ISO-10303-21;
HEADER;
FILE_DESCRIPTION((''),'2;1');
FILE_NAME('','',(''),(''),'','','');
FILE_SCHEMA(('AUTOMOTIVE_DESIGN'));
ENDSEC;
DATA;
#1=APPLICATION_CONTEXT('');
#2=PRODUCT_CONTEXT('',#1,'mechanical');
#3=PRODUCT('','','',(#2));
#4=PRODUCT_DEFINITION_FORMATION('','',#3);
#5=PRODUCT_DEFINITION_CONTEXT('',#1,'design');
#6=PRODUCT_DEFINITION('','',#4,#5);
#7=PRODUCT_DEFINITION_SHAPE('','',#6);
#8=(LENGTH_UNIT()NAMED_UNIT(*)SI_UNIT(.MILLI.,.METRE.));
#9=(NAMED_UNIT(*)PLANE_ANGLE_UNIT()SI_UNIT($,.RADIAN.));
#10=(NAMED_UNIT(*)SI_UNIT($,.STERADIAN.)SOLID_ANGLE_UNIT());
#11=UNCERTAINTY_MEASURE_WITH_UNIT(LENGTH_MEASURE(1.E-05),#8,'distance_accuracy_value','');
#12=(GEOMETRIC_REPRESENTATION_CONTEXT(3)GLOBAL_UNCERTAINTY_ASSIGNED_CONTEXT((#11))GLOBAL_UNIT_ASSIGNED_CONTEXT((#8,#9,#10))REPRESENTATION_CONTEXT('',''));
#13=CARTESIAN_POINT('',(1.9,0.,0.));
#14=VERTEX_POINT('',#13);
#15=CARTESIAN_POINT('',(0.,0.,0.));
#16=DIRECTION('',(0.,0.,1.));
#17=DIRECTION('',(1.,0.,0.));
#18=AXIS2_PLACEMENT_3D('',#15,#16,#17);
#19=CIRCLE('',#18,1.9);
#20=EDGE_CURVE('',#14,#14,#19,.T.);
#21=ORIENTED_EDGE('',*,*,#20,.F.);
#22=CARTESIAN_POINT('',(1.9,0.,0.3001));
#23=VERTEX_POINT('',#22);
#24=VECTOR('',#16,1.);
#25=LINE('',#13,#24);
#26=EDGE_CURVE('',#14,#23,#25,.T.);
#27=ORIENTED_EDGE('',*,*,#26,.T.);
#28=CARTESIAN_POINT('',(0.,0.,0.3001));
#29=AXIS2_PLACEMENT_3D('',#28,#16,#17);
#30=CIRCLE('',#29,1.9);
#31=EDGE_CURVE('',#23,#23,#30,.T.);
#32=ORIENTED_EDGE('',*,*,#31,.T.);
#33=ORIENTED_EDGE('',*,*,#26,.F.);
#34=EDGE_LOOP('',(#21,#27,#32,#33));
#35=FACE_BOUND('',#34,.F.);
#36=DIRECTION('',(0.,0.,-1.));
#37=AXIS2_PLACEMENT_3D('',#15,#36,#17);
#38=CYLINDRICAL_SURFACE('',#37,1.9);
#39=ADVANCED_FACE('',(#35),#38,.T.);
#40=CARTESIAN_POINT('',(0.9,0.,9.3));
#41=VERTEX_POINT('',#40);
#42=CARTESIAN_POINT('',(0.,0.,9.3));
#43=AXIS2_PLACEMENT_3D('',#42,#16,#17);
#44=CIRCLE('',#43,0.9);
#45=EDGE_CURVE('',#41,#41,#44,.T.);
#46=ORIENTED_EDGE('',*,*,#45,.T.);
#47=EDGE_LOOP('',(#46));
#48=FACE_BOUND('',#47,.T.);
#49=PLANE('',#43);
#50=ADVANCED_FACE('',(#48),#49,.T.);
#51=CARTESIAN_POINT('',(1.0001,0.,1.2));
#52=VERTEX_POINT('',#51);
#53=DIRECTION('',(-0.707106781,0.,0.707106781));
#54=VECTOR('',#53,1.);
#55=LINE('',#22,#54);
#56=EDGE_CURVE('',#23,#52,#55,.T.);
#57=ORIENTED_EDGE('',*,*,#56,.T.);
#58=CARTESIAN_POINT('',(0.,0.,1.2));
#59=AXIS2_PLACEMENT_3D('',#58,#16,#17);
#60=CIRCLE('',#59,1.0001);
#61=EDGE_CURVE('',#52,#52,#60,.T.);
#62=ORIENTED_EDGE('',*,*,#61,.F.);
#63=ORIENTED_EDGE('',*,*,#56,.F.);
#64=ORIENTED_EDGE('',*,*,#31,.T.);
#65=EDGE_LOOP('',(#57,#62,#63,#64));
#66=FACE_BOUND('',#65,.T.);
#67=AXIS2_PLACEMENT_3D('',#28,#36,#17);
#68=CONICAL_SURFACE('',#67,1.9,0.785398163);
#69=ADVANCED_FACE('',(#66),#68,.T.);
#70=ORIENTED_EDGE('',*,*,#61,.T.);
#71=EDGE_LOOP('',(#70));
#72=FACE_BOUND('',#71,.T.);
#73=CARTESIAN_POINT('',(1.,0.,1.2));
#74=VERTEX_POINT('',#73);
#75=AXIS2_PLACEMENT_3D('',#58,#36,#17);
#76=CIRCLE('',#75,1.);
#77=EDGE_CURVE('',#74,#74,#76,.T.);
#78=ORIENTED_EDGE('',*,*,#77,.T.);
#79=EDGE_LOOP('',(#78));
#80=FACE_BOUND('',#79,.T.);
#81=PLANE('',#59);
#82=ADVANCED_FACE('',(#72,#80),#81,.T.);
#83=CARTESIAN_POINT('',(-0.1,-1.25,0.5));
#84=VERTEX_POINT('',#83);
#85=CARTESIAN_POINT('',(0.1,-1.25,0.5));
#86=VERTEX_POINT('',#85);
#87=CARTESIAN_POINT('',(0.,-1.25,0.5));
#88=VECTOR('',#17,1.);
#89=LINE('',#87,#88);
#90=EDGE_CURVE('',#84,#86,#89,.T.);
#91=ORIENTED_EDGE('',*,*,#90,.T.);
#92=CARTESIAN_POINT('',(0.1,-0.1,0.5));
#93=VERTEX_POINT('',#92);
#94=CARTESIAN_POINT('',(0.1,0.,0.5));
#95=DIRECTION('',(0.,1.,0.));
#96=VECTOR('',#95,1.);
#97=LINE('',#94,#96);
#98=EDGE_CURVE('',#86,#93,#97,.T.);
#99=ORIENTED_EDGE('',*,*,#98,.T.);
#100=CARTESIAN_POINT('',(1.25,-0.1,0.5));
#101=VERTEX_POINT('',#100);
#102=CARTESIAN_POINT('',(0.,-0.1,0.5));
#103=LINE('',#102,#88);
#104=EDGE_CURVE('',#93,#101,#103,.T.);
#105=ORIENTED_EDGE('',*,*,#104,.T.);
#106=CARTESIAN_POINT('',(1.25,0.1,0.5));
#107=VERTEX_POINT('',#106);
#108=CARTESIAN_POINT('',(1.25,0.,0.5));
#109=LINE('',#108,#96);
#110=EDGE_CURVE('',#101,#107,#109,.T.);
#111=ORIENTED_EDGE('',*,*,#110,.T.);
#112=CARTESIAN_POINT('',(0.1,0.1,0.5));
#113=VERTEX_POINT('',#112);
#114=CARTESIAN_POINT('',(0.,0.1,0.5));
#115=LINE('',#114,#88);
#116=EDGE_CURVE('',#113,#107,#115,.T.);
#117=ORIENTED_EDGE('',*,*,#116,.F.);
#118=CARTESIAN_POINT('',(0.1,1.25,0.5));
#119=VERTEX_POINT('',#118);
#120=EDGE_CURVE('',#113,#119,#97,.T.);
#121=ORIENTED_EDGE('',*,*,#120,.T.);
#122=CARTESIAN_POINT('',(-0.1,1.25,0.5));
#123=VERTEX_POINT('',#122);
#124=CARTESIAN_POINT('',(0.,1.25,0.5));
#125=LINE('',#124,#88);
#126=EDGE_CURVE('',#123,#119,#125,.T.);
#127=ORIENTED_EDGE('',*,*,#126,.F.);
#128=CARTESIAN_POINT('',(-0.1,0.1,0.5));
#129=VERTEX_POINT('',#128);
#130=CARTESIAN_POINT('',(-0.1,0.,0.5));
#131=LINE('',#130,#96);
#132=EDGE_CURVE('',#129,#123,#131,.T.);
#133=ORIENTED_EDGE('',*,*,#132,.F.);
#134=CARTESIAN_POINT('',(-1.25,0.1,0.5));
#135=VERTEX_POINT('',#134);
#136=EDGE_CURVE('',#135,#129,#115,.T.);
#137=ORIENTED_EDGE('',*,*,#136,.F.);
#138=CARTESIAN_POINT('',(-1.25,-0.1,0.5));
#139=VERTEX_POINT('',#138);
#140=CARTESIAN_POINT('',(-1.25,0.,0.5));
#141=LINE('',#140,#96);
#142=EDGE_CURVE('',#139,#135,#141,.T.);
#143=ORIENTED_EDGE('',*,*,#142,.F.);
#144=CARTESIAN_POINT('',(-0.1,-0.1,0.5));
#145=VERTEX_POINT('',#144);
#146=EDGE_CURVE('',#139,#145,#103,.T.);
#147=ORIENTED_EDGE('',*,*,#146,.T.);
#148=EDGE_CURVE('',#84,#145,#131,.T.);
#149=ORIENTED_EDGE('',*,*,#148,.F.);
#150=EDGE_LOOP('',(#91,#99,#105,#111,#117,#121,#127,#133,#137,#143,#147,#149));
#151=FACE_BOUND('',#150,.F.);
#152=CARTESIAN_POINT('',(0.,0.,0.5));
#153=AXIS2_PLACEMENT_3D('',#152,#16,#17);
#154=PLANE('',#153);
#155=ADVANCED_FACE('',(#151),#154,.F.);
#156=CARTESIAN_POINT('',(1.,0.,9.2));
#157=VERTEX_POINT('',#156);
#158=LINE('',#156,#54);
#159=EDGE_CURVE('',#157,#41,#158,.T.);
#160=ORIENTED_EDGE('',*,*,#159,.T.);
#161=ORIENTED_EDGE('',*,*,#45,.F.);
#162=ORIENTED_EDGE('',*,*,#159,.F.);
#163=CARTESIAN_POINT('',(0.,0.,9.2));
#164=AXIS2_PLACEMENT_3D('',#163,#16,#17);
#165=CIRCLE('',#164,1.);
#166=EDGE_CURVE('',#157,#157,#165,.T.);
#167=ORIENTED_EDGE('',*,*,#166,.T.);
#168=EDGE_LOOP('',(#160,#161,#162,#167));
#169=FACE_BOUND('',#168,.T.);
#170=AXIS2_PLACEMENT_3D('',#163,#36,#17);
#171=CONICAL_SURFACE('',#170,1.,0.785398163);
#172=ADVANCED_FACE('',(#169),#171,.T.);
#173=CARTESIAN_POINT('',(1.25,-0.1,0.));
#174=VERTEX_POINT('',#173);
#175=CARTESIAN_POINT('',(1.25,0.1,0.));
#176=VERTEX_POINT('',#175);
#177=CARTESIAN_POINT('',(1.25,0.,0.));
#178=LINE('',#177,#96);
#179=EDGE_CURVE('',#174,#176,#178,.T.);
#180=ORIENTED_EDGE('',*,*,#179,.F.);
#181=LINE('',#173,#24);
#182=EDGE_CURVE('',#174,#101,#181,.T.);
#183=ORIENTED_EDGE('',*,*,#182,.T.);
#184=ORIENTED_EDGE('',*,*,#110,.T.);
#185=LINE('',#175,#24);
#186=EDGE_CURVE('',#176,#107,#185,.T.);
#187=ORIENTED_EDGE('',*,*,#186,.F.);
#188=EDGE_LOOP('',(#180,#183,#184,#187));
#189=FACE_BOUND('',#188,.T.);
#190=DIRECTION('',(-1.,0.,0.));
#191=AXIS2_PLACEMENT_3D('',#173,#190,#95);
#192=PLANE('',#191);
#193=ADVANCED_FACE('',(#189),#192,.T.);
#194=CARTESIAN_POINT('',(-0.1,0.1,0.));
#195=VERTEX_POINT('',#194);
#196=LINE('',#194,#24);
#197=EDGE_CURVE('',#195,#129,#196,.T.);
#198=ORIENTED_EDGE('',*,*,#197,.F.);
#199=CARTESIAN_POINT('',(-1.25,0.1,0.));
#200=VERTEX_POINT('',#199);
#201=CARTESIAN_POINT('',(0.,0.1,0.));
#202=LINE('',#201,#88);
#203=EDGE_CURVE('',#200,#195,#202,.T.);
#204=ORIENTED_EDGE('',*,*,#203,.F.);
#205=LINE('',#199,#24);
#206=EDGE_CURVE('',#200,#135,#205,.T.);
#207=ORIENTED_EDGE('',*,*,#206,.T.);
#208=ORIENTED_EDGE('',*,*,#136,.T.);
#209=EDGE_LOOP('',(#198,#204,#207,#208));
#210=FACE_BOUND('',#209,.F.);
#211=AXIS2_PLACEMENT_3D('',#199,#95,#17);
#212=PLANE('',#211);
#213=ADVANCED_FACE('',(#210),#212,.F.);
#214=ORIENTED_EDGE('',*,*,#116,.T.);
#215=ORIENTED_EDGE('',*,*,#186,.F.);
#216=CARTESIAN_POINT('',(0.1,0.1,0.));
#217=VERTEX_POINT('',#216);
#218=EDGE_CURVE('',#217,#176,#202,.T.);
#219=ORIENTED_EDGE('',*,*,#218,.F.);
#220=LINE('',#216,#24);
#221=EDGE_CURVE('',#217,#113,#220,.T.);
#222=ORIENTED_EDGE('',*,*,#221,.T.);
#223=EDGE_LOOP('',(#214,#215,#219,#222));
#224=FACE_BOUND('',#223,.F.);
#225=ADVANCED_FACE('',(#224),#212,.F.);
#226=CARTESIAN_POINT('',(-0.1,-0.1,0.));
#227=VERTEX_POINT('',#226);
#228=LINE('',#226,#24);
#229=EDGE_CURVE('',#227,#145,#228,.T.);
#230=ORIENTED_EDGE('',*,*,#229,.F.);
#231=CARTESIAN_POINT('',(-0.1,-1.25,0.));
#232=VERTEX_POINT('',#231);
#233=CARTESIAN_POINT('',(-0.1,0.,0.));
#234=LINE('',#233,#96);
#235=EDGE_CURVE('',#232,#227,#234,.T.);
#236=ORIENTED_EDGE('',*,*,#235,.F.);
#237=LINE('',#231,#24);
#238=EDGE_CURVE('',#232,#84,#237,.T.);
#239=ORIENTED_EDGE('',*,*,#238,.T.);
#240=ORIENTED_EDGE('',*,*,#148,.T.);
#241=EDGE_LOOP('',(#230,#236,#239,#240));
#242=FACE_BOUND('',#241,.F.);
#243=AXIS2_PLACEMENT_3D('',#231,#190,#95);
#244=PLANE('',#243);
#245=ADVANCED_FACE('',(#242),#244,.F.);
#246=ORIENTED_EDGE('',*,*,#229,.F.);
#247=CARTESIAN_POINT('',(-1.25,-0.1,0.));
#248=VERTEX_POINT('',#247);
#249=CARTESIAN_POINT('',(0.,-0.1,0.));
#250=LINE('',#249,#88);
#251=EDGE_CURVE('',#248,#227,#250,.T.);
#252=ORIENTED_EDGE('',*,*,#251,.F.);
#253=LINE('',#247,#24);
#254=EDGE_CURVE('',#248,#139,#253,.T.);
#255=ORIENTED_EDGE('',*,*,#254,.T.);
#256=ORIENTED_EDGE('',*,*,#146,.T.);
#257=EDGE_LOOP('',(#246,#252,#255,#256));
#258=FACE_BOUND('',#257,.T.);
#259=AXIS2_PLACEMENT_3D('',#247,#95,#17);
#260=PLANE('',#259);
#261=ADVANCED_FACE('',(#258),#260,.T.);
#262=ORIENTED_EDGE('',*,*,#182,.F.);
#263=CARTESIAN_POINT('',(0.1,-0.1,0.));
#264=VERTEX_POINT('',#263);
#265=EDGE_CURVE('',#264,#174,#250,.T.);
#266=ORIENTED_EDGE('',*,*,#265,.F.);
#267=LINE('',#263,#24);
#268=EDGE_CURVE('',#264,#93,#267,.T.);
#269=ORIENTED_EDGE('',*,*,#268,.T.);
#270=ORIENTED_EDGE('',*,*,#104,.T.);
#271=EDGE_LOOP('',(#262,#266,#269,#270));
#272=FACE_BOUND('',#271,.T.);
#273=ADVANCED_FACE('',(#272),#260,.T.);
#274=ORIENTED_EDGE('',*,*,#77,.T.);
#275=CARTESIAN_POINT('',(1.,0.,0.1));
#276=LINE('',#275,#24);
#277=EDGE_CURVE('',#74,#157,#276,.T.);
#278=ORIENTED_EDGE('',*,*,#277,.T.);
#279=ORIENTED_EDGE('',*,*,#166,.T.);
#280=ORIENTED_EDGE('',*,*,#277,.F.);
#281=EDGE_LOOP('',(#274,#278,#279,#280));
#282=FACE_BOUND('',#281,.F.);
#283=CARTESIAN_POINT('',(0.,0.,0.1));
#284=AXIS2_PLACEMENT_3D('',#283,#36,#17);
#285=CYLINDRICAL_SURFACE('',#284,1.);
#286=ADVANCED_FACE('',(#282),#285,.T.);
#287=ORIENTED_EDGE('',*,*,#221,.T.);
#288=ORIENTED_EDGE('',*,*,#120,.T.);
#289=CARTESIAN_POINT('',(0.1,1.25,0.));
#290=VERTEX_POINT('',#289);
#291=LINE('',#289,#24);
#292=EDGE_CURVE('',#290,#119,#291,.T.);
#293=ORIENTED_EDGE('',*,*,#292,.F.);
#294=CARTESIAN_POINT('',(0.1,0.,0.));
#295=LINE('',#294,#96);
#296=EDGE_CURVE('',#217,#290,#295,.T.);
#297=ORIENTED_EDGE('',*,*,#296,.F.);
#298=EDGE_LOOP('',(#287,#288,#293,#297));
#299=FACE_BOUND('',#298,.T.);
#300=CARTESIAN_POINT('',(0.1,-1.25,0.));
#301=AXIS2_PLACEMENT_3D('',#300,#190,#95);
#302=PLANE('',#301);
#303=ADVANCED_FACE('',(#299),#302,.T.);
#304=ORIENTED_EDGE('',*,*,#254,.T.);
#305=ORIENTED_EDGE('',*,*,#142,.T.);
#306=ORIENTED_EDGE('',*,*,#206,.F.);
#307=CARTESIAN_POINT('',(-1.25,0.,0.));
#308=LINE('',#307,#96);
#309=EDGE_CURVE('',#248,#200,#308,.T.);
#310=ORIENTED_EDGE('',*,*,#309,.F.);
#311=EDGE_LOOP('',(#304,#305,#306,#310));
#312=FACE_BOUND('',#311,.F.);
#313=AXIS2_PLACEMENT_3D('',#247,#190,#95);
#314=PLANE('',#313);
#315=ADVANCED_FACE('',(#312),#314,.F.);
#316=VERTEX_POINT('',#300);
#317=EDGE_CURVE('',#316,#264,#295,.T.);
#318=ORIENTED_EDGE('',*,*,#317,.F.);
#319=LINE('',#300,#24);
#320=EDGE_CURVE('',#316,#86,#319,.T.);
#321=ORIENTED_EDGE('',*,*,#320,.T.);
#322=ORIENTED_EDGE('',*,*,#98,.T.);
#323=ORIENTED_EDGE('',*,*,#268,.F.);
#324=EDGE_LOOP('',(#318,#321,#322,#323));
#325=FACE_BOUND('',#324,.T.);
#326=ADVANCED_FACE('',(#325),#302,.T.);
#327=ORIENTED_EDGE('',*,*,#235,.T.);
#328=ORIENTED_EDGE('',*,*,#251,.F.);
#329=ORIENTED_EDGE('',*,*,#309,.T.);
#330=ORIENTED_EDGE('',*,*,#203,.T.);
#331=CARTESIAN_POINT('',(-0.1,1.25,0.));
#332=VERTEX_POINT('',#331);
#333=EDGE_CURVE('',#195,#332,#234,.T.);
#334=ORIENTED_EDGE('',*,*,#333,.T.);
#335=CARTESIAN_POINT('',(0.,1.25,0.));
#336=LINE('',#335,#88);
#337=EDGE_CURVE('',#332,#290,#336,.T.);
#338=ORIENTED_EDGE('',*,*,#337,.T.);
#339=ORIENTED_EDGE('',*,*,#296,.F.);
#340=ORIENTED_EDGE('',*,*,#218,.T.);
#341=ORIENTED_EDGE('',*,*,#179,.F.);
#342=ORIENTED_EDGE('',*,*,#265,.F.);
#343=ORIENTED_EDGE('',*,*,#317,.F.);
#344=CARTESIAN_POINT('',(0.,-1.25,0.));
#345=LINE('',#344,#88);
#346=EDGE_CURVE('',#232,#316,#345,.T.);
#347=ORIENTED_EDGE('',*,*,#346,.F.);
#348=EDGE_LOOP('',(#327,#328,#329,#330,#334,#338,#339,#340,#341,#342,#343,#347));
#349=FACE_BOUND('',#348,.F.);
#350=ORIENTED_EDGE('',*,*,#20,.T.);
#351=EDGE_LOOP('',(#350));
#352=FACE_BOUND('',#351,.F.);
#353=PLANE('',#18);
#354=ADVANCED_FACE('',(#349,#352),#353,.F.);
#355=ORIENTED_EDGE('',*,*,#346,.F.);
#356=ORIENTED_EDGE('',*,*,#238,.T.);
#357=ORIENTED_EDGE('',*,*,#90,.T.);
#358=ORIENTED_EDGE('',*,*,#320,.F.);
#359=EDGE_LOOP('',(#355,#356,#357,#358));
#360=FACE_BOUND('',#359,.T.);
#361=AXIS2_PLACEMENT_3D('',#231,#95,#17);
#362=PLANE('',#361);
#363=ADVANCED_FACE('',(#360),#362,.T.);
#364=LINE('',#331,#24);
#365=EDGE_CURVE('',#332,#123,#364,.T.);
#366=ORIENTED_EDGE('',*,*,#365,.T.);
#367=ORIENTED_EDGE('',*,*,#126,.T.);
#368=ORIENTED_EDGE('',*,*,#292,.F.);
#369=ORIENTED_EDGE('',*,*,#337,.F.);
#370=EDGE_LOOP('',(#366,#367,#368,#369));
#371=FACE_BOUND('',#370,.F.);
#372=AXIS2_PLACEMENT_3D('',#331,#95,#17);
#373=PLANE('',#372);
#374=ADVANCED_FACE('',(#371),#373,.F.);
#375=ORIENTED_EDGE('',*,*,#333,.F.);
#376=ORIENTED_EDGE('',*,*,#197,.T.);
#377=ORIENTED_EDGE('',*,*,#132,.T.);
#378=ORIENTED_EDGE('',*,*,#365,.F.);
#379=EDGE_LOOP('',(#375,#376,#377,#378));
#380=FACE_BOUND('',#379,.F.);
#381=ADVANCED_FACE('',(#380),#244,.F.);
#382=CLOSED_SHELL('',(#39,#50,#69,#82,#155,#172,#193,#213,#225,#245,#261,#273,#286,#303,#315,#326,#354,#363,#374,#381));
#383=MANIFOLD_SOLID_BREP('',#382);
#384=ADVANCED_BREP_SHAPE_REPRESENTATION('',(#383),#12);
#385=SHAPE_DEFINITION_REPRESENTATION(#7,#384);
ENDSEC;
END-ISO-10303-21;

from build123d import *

# Parameters (mm, degrees)
BOX_W             = 0.2
BOX_H             = 2.5
BOX_DEPTH         = 0.5
BOX001_W          = 2.5
BOX001_H          = 0.2
BOX001_DEPTH      = 0.5
CYLINDER_R        = 1.9
CYLINDER_DEPTH    = 1.2
CYLINDER001_R     = 1
CYLINDER001_DEPTH = 9.2
CHAMFER_SIZE      = 0.8999
CHAMFER001_SIZE   = 0.1


with BuildPart() as w_rfel:
    # Box → Box (new body)
    with BuildSketch(Plane(origin=(-0.1, -1.25, 0), x_dir=(1, 0, 0), z_dir=(0, 0, 1))):
        with Locations((0.1, 1.25)):
            Rectangle(BOX_W, BOX_H)
    extrude(amount=BOX_DEPTH)


with BuildPart() as fusion:
    # Box001 → Box001 (new body)
    with BuildSketch(Plane(origin=(-1.25, -0.1, 0), x_dir=(1, 0, 0), z_dir=(0, 0, 1))):
        with Locations((1.25, 0.1)):
            Rectangle(BOX001_W, BOX001_H)
    extrude(amount=BOX001_DEPTH)

    # Fusion: union Würfel
    add(w_rfel.part)


with BuildPart() as zylinder:
    # Cylinder → Cylinder (new body)
    with BuildSketch(Plane.XY):
        Circle(CYLINDER_R)
    extrude(amount=CYLINDER_DEPTH)


with BuildPart() as screw:
    # Cylinder001 → Cylinder001 (new body)
    with BuildSketch(Plane.XY.offset(0.1)):
        Circle(CYLINDER001_R)
    extrude(amount=CYLINDER001_DEPTH)

    # Fusion001: union Zylinder
    add(zylinder.part)

    # Cut: cut Fusion
    add(fusion.part, mode=Mode.SUBTRACT)

    # Chamfer
    chamfer_edges = [screw.edges().sort_by_distance(p)[0] for p in [
        (-1.9, 0, 1.2),
    ]]
    chamfer(chamfer_edges, length=CHAMFER_SIZE)

    # Chamfer001
    chamfer001_edges = [screw.edges().sort_by_distance(p)[0] for p in [
        (-1, 0, 9.3),
    ]]
    chamfer(chamfer001_edges, length=CHAMFER001_SIZE)


solid = screw.part
